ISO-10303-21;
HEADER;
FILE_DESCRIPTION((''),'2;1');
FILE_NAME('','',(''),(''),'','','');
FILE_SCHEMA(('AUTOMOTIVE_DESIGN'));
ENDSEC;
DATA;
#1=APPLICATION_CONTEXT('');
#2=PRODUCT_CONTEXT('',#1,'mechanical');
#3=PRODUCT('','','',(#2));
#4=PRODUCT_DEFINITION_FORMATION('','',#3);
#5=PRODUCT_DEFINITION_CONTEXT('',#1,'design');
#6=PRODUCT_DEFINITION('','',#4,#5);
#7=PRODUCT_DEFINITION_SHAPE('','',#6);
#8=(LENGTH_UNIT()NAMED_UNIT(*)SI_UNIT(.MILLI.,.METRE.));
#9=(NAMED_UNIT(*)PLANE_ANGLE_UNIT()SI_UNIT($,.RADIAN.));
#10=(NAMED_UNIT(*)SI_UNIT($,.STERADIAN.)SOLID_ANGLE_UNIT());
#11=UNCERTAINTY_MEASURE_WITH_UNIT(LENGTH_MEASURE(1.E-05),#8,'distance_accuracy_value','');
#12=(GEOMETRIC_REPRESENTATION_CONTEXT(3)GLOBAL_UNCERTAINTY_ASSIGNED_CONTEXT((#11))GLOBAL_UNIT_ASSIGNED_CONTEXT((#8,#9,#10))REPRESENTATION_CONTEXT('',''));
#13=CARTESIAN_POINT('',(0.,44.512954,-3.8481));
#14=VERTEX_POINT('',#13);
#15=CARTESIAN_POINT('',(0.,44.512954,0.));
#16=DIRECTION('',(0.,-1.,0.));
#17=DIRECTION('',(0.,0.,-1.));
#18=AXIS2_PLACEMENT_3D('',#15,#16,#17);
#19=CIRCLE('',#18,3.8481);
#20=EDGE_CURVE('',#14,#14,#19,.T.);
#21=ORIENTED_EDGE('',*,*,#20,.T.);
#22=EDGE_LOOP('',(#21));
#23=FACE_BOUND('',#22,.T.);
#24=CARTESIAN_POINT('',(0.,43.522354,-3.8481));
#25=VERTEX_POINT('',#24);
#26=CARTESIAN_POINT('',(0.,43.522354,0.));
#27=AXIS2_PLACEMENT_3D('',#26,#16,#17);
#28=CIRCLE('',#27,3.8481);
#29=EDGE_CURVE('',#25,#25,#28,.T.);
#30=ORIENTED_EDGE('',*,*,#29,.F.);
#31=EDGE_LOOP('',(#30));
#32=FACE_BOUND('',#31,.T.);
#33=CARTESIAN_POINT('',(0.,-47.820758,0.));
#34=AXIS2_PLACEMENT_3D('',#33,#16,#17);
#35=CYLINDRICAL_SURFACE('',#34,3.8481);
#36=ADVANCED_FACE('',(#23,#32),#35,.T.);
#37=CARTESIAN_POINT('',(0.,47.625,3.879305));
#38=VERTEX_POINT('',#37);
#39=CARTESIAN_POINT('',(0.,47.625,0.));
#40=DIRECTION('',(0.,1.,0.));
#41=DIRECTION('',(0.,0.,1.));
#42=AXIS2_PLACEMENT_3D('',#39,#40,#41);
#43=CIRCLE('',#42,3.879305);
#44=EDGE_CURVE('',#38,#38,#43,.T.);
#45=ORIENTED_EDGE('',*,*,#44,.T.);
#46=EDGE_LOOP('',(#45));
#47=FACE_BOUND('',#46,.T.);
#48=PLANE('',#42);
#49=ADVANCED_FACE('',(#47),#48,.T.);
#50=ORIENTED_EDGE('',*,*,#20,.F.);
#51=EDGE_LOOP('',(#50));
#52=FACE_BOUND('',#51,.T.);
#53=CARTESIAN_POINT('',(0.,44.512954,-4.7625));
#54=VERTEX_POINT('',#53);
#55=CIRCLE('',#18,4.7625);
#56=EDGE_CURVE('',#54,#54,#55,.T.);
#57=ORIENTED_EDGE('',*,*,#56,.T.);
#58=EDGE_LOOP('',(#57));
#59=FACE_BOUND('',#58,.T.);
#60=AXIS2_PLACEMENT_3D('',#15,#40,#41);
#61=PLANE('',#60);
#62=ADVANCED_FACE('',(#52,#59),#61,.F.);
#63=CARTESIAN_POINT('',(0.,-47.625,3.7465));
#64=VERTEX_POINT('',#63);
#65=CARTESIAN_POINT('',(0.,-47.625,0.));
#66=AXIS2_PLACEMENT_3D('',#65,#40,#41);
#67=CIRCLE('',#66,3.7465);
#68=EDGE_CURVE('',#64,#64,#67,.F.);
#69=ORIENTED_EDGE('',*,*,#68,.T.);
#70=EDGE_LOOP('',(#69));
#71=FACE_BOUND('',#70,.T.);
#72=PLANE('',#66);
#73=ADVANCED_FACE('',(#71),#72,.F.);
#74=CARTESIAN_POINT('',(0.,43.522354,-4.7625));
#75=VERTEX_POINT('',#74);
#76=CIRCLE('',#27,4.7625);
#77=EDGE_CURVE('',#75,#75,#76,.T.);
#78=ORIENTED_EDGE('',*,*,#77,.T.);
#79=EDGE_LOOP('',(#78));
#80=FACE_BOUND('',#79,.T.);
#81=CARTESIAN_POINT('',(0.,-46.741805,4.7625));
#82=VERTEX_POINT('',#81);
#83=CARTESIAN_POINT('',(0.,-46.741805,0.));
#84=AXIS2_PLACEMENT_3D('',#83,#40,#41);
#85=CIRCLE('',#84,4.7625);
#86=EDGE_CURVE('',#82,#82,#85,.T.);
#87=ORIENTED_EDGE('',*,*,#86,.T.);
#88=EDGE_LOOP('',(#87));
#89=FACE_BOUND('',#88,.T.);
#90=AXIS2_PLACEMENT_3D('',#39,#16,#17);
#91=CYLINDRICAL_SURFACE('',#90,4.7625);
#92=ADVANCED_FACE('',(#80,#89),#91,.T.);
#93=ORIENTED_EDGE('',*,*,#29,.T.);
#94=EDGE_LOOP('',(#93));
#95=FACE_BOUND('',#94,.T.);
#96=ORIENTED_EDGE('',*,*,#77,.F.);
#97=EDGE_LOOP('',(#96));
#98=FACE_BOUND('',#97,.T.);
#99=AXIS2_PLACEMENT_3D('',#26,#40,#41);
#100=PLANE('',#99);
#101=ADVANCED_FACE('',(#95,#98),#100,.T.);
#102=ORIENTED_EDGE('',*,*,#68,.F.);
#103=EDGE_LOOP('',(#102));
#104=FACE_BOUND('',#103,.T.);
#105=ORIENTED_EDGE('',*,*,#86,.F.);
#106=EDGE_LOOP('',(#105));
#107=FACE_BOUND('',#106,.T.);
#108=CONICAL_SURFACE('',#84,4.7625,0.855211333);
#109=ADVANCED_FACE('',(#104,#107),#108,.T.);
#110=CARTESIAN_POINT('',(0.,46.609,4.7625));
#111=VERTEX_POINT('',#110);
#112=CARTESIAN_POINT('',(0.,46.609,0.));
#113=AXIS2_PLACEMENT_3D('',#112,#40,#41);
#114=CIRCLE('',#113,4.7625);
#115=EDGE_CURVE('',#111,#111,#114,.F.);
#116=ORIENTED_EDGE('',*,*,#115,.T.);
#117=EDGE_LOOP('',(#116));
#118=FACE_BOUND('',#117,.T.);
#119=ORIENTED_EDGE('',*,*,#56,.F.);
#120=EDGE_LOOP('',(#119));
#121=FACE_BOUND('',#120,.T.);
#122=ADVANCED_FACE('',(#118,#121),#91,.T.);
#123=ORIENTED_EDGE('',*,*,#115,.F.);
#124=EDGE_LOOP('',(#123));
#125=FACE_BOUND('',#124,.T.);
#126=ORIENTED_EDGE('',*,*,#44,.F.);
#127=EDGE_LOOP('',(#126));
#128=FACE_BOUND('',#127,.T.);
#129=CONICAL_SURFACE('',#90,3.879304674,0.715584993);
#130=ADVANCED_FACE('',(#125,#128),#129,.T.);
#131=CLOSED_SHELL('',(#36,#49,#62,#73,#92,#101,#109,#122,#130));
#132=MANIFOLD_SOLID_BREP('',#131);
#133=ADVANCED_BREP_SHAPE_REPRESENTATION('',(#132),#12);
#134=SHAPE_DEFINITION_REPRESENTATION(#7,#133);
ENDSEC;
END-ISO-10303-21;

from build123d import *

# Parameters (mm, degrees)
SKETCH1_R             = 4.7625
BOSS_EXTRUDE1_DEPTH   = 47.625
CHAMFER1_SIZE         = 1.016
CHAMFER1_SIZE2        = 0.883195326
CHAMFER1_PART_2_SIZE  = 1.016
CHAMFER1_PART_2_SIZE2 = 0.883195326
SKETCH3_W             = 0.9144
SKETCH3_H             = 0.9906


with BuildPart() as part:
    # Sketch1 → Boss-Extrude1 (new body, symmetric)
    with BuildSketch(Plane(origin=(0, 0, 0), x_dir=(1, 0, 0), z_dir=(0, 1, 0))):
        Circle(SKETCH1_R)
    extrude(amount=BOSS_EXTRUDE1_DEPTH, both=True)

    # Chamfer1
    chamfer1_edges = [part.edges().sort_by_distance(p)[0] for p in [
        (-4.7625, -47.625, 0),
    ]]
    chamfer1_side = [part.faces().sort_by_distance(p)[0] for p in [
        (0, -47.625, 0),
    ]]
    chamfer(chamfer1_edges, length=CHAMFER1_SIZE, length2=CHAMFER1_SIZE2, reference=chamfer1_side[0])

    # Chamfer1 part 2
    chamfer1_part_2_edges = [part.edges().sort_by_distance(p)[0] for p in [
        (-4.7625, 47.625, 0),
    ]]
    chamfer1_part_2_side = [part.faces().sort_by_distance(p)[0] for p in [
        (-4.7625, 0, 0),
    ]]
    chamfer(chamfer1_part_2_edges, length=CHAMFER1_PART_2_SIZE, length2=CHAMFER1_PART_2_SIZE2, reference=chamfer1_part_2_side[0])

    # Sketch3 → Cut-Revolve1 (revolve, cut)
    with BuildSketch(Plane(origin=(0, 0, 0), x_dir=(0, 0, -1), z_dir=(1, 0, 0))):
        with Locations((4.3053, 44.017653665)):
            Rectangle(SKETCH3_W, SKETCH3_H)
    revolve(axis=Axis((0, -47.820758339, 0), (0, 1, 0)), mode=Mode.SUBTRACT)


solid = part.part
